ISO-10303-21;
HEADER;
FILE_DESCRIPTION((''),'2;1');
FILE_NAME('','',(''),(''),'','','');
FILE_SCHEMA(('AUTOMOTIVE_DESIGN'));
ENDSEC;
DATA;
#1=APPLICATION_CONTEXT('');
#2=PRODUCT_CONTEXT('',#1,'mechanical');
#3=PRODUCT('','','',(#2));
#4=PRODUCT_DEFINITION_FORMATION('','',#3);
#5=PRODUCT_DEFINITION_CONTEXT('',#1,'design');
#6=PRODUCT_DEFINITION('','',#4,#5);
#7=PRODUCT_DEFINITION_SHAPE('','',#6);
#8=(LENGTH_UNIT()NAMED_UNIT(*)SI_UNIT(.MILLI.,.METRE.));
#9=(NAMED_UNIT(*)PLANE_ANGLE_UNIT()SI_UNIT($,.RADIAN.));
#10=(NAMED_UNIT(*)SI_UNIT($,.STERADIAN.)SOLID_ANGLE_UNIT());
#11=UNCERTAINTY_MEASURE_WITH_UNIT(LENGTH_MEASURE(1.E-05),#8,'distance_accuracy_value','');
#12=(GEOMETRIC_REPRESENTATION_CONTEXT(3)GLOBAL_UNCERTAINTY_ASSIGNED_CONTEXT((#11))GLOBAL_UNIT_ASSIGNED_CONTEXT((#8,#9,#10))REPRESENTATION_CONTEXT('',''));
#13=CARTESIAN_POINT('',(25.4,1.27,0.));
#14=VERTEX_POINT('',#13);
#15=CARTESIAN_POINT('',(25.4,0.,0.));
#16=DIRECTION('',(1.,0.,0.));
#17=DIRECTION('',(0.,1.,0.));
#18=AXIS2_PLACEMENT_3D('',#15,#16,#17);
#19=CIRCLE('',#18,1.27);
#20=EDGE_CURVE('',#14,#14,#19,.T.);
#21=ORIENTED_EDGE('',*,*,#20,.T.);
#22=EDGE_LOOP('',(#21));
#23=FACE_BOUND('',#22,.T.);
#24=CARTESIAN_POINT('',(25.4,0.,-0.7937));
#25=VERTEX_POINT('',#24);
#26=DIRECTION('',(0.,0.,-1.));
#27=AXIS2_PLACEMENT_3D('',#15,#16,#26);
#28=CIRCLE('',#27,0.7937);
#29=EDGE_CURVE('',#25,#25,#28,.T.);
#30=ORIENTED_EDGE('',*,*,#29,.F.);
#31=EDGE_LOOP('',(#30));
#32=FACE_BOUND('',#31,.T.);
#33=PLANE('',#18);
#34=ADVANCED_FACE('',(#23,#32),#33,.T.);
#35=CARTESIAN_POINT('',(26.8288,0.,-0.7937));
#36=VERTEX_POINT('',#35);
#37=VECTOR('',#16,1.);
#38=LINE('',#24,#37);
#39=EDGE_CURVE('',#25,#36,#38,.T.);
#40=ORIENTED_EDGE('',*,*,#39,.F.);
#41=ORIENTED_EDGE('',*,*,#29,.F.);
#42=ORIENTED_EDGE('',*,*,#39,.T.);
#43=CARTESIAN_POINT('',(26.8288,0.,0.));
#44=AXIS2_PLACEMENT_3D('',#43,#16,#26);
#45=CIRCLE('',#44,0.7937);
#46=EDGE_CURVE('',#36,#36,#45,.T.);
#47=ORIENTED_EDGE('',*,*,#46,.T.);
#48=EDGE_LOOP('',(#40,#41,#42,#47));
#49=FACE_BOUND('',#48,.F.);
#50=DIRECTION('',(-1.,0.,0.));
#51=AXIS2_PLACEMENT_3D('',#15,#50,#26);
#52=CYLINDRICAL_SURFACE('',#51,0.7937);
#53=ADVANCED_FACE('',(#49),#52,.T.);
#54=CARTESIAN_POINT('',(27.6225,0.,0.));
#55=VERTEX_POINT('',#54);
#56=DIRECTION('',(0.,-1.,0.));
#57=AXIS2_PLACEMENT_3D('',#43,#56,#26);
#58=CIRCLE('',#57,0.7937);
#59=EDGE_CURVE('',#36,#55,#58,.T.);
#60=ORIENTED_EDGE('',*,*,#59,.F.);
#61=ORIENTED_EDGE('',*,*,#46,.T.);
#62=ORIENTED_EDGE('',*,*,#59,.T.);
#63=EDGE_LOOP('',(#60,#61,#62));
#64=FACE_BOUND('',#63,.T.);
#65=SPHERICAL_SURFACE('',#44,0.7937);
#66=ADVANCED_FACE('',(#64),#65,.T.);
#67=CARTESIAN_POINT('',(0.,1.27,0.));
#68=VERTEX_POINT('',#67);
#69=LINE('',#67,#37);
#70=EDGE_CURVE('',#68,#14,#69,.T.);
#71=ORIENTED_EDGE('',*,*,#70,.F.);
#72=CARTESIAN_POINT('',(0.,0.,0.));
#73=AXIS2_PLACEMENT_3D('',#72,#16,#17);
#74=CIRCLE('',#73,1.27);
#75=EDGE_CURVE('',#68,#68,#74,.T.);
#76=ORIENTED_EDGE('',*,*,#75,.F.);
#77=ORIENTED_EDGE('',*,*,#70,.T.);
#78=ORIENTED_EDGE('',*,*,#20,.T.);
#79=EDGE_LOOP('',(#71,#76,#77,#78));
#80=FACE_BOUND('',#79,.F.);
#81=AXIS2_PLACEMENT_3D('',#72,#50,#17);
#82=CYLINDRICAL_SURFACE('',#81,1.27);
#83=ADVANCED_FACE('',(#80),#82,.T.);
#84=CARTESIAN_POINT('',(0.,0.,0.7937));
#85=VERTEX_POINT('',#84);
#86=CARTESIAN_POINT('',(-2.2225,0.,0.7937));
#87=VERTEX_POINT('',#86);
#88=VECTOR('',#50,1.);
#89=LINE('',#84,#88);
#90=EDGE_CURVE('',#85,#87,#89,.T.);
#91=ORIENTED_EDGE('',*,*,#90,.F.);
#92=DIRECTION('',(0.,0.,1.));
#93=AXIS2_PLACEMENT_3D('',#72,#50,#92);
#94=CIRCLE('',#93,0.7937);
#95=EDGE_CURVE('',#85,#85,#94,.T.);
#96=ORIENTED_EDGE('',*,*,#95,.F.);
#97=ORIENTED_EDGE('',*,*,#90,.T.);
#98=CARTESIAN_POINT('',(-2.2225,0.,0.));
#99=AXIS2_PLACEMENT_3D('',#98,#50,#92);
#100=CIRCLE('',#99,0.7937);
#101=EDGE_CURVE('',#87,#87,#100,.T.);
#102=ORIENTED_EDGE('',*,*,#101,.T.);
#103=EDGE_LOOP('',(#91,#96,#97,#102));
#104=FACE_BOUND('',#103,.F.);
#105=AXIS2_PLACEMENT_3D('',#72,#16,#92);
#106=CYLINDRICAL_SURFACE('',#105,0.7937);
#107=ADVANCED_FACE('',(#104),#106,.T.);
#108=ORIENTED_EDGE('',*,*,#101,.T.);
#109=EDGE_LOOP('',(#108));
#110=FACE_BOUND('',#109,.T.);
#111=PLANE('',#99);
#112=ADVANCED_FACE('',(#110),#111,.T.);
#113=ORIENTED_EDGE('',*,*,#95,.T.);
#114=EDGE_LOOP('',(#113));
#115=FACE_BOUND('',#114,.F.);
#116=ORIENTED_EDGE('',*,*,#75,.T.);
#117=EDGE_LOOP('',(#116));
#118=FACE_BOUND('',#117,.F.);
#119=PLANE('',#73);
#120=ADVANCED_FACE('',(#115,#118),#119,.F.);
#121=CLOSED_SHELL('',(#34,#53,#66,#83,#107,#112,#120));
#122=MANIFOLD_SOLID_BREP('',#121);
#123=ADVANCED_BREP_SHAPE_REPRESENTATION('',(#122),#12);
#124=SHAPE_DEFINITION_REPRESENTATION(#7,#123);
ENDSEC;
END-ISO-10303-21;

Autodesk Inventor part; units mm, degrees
ref_plane "YZ Plane" through (0, 0, 0) normal (1, 0, 0) x (0, 1, 0)
ref_plane "XZ Plane" through (0, 0, 0) normal (0, 1, 0) x (-1, 0, 0)
ref_plane "XY Plane" through (0, 0, 0) normal (0, 0, 1) x (1, 0, 0)
sketch "Sketch1" plane through (0, 0, 0) normal (1, 0, 0) x (0, 1, 0)
  circle A0 centre (0, 0) radius 1.27
  dimension "d0" = 2.54
extrude "Extrusion1" add sketch "Sketch1" along normal blind 25.4
sketch "Sketch2" plane through (25.4, 0, 0) normal (1, 0, 0) x (0, 0, -1)
  circle A0 centre (0, 0) radius 0.7937
  dimension "d3" = 1.5875
extrude "Extrusion2" add sketch "Sketch2" along normal blind 2.2225
sketch "Sketch3" plane through (0, 0, 0) normal (-1, 0, 0) x (0, 0, 1)
  circle A0 centre (0, 0) radius 0.7937
  dimension "d6" = 1.5875
extrude "Extrusion3" add sketch "Sketch3" along normal blind 2.2225
fillet "Fillet1" radius 0.7937 1 edges at (27.6225, 0, 0.7937)
properties part number "Cable (Red)" material "Aluminum 6061"
